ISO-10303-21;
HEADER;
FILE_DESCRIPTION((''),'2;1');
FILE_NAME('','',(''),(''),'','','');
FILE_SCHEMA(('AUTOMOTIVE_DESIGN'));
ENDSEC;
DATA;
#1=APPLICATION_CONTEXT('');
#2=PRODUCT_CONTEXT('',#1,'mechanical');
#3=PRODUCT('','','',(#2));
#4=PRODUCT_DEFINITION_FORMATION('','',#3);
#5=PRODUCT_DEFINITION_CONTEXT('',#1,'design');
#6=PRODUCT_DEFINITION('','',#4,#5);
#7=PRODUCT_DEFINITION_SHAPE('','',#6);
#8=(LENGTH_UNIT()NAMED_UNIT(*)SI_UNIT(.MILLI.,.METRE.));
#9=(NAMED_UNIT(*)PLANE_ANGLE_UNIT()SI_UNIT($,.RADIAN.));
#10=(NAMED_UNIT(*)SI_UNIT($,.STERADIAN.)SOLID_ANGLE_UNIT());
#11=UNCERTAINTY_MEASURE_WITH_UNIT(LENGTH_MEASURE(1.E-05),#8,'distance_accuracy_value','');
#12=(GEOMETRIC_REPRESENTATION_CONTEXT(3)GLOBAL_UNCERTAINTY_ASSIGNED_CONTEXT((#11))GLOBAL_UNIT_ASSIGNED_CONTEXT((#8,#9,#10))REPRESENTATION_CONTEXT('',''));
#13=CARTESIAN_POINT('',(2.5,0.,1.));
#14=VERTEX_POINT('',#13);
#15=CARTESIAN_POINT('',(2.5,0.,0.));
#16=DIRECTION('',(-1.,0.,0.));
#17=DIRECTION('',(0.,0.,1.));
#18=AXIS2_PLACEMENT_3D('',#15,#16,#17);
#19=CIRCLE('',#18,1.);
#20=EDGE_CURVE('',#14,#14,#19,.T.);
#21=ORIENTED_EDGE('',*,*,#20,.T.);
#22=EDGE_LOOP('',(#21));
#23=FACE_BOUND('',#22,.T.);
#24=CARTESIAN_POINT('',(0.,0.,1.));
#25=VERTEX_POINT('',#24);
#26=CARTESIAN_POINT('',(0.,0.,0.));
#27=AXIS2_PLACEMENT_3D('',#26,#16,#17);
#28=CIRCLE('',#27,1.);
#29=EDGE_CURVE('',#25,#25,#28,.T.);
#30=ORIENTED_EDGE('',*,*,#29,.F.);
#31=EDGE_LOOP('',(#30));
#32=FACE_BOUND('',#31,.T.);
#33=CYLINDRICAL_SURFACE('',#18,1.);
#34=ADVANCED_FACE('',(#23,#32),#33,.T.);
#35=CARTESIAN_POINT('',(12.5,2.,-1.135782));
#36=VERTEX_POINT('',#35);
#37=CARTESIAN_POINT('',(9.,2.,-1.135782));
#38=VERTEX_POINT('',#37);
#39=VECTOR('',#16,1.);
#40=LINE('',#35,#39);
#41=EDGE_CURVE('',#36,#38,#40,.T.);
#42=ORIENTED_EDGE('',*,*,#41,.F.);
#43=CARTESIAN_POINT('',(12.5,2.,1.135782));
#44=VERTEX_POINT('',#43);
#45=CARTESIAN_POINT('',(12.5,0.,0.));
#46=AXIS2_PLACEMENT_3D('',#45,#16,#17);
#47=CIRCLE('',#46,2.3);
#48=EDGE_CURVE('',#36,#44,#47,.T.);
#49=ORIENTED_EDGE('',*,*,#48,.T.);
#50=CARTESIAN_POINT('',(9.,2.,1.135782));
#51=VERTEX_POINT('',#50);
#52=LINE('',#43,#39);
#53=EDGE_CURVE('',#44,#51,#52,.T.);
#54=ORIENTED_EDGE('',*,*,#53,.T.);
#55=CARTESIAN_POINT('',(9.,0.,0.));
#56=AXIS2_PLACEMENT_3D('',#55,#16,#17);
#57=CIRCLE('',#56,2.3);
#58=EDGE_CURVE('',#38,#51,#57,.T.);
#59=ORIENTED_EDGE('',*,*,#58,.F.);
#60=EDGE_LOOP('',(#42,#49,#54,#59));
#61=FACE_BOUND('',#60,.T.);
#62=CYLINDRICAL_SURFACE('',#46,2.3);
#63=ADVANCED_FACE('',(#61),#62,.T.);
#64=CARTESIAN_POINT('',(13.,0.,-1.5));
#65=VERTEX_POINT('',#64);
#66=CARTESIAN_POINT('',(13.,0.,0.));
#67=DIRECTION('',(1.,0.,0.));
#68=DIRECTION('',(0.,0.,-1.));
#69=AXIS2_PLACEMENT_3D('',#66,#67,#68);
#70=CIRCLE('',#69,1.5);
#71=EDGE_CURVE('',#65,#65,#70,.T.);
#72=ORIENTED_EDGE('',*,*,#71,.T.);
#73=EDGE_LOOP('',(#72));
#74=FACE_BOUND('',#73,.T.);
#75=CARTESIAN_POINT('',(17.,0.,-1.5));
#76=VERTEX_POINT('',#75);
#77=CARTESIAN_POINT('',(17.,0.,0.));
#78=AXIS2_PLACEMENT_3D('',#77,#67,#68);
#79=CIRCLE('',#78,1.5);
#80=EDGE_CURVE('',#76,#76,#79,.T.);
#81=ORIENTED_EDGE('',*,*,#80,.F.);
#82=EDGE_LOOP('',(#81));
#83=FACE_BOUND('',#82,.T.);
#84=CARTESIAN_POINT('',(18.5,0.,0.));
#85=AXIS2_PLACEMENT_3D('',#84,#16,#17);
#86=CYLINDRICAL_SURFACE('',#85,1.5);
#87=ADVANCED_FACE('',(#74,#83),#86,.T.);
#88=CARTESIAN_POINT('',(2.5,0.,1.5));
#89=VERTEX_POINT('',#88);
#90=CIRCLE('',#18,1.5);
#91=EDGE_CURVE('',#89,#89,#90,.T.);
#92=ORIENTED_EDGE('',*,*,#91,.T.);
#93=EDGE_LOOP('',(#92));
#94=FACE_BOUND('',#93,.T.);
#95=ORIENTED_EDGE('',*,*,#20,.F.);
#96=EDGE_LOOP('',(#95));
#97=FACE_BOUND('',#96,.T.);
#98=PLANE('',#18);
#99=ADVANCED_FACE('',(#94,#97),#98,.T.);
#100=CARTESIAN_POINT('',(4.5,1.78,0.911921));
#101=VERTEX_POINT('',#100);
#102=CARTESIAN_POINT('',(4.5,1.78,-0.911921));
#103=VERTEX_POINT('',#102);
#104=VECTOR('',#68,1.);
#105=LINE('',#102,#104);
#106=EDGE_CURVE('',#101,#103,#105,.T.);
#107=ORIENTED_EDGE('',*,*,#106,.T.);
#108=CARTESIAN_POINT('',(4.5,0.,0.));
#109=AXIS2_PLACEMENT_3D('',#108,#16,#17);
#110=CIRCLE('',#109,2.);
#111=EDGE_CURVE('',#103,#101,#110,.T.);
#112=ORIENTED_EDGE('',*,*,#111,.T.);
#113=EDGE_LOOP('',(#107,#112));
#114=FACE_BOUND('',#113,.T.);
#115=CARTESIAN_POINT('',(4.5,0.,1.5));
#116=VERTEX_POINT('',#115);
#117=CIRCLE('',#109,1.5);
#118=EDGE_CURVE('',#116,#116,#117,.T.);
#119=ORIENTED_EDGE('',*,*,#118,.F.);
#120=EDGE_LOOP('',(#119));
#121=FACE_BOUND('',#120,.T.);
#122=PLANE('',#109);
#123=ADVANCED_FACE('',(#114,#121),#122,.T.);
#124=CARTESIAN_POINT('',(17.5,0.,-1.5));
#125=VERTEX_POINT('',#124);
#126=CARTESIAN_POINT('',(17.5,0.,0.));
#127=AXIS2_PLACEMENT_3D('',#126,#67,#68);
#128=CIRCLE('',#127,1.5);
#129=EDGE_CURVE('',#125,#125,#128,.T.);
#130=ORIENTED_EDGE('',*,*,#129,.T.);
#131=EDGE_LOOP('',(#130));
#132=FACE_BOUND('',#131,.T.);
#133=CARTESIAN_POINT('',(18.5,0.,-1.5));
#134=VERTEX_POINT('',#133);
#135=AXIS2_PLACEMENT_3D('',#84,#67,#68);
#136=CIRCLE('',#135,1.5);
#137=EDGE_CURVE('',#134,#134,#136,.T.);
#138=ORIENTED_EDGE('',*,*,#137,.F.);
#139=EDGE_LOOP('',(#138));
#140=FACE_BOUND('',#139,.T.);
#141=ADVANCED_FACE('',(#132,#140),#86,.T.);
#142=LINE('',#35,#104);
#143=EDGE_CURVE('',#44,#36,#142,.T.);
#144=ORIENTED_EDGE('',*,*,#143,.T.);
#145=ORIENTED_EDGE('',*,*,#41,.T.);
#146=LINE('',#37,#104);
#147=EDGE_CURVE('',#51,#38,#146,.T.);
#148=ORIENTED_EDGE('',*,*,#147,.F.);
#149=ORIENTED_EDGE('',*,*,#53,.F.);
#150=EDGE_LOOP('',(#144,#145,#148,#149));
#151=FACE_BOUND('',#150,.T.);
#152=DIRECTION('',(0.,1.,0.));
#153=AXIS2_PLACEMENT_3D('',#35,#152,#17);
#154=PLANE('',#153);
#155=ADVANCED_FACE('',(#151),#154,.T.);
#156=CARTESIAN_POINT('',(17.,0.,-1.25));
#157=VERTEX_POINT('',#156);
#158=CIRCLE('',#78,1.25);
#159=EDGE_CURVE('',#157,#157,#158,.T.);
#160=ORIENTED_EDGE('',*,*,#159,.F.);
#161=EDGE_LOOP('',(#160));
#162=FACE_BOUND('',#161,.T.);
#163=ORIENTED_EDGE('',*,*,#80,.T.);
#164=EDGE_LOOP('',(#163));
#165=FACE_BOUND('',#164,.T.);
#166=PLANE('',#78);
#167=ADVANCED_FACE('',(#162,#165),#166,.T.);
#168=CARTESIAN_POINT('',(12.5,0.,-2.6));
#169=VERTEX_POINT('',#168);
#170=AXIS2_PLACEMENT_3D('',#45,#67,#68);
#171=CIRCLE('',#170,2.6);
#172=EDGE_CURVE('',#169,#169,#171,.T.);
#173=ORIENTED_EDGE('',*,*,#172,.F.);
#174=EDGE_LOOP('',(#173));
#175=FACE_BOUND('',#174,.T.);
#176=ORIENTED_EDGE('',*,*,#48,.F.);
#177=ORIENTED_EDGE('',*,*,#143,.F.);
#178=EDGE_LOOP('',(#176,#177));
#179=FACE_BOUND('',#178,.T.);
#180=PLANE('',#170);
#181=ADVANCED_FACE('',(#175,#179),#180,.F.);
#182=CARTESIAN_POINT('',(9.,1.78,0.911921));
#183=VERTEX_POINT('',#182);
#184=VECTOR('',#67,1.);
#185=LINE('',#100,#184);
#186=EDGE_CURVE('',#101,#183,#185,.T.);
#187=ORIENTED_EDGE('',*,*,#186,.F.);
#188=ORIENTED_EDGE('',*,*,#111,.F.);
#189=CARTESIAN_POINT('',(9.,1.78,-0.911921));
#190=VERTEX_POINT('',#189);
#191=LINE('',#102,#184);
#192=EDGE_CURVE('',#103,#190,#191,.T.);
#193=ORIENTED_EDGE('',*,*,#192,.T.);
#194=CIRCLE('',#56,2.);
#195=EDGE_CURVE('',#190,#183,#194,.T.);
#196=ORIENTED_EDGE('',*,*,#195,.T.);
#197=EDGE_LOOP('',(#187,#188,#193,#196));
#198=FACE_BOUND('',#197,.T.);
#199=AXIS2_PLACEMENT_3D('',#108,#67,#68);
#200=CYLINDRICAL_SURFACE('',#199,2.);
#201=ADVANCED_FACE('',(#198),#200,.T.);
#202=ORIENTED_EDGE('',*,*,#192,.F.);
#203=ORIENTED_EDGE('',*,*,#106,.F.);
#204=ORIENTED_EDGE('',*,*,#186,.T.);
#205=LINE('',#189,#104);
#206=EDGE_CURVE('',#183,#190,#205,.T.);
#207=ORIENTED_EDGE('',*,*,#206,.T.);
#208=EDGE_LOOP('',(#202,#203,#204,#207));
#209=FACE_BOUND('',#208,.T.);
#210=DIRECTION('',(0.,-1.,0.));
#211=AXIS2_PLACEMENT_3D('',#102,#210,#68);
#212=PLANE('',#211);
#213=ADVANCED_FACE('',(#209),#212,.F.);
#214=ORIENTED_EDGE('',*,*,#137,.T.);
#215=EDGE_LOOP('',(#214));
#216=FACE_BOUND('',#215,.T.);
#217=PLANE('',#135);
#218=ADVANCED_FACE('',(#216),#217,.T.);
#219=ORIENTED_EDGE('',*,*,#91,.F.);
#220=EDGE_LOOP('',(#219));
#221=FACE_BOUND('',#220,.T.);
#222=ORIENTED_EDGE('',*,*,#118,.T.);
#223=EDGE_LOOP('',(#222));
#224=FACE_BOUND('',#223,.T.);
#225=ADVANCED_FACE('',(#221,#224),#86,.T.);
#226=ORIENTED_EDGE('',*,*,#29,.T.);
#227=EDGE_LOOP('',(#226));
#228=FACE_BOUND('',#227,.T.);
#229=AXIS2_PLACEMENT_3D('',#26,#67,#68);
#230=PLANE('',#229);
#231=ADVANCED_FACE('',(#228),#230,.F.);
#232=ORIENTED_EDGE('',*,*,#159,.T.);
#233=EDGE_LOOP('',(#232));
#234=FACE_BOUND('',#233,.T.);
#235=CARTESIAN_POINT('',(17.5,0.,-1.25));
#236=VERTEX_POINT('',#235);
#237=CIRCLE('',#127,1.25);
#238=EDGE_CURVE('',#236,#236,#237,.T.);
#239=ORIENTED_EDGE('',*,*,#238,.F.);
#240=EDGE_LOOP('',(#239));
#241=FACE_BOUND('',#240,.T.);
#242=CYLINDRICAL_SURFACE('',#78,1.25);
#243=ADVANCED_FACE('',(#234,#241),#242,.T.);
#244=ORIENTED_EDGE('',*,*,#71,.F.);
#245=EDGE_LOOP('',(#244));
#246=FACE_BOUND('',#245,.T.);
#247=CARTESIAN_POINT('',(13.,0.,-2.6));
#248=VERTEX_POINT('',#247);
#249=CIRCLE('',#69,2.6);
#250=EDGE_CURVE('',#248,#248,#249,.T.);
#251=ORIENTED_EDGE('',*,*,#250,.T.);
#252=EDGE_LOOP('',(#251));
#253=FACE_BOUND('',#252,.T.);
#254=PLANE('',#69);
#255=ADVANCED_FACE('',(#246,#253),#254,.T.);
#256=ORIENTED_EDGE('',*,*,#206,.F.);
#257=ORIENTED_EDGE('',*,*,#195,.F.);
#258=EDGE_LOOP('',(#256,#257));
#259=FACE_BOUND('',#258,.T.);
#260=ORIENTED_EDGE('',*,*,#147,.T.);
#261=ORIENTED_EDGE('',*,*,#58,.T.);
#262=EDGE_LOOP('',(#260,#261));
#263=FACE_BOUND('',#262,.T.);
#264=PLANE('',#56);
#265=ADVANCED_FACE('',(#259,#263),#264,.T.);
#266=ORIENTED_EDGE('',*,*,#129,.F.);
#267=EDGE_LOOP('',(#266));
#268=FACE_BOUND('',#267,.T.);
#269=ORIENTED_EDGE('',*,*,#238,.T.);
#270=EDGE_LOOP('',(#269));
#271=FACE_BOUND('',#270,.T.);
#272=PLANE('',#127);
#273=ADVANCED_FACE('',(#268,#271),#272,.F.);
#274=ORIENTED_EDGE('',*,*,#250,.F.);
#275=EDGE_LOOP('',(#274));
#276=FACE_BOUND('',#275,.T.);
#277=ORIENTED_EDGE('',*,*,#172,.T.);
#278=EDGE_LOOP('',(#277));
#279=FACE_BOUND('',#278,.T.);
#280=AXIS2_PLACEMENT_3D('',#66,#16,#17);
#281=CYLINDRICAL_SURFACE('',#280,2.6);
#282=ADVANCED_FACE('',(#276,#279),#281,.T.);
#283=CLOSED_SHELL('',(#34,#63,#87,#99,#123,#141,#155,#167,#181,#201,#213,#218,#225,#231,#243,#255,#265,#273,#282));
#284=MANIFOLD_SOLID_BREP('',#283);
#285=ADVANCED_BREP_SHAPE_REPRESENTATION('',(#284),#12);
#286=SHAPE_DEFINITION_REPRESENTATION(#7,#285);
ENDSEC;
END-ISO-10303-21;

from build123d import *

# Parameters (mm, degrees)
SKETCH_1_R          = 1.5
EXTRUDE_1_DEPTH     = 18.5
SKETCH_2_R          = 1.5
EXTRUDE_2_DEPTH     = 3.5
SKETCH_3_R          = 2.6
SKETCH_3_R_2        = 1.5
EXTRUDE_3_DEPTH     = 0.5
EXTRUDE_START       = 4.5
SKETCH_7_R          = 1.5
EXTRUDE_4_DEPTH     = 4.5
CUT_EXTRUDE_START   = -1.5
SKETCH_4_R          = 1.5
SKETCH_4_R_2        = 1.25
CUT_EXTRUDE_1_DEPTH = 0.5
SKETCH_5_R          = 2
SKETCH_5_R_2        = 1
CUT_EXTRUDE_2_DEPTH = 2.5


with BuildPart() as part:
    # 草图1 → 凸台-拉伸1 (new body)
    with BuildSketch(Plane(origin=(0, 0, 0), x_dir=(0, 0, -1), z_dir=(1, 0, 0))):
        Circle(SKETCH_1_R)
    extrude(amount=EXTRUDE_1_DEPTH)

    # 草图2 → 凸台-拉伸2 (add)
    with BuildSketch(Plane.ZY.offset(-9)):
        with BuildLine():
            Line((-1.135781669, 2), (1.135781669, 2))
            ThreePointArc((1.135781669, 2), (0, -2.3), (-1.135781669, 2))
        make_face()
        Circle(SKETCH_2_R, mode=Mode.SUBTRACT)
    extrude(amount=-EXTRUDE_2_DEPTH)

    # 草图3 → 凸台-拉伸3 (add)
    with BuildSketch(Plane(origin=(12.5, 0, 0), x_dir=(0, 0, -1), z_dir=(1, 0, 0))):
        Circle(SKETCH_3_R)
        with Locations(Location((0, 0, 0), (0, 0, 180))):
            Circle(SKETCH_3_R_2, mode=Mode.SUBTRACT)
    extrude(amount=EXTRUDE_3_DEPTH)

    # 草图7 → 凸台-拉伸4 (add)
    with BuildSketch(Plane.ZY.offset(-9).offset(EXTRUDE_START)):
        with BuildLine():
            Line((-0.911921049, 1.78), (0.911921049, 1.78))
            ThreePointArc((0.911921049, 1.78), (0, -2), (-0.911921049, 1.78))
        make_face()
        with Locations(Location((0, 0, 0), (0, 0, 180))):
            Circle(SKETCH_7_R, mode=Mode.SUBTRACT)
    extrude(amount=-EXTRUDE_4_DEPTH)

    # 草图4 → 切除-拉伸1 (cut)
    with BuildSketch(Plane(origin=(18.5, 0, 0), x_dir=(0, 0, -1), z_dir=(1, 0, 0)).offset(CUT_EXTRUDE_START)):
        Circle(SKETCH_4_R)
        Circle(SKETCH_4_R_2, mode=Mode.SUBTRACT)
    extrude(amount=CUT_EXTRUDE_1_DEPTH, mode=Mode.SUBTRACT)

    # 草图5 → 切除-拉伸2 (cut)
    with BuildSketch(Plane.ZY):
        Circle(SKETCH_5_R)
        Circle(SKETCH_5_R_2, mode=Mode.SUBTRACT)
    extrude(amount=-CUT_EXTRUDE_2_DEPTH, mode=Mode.SUBTRACT)


solid = part.part
